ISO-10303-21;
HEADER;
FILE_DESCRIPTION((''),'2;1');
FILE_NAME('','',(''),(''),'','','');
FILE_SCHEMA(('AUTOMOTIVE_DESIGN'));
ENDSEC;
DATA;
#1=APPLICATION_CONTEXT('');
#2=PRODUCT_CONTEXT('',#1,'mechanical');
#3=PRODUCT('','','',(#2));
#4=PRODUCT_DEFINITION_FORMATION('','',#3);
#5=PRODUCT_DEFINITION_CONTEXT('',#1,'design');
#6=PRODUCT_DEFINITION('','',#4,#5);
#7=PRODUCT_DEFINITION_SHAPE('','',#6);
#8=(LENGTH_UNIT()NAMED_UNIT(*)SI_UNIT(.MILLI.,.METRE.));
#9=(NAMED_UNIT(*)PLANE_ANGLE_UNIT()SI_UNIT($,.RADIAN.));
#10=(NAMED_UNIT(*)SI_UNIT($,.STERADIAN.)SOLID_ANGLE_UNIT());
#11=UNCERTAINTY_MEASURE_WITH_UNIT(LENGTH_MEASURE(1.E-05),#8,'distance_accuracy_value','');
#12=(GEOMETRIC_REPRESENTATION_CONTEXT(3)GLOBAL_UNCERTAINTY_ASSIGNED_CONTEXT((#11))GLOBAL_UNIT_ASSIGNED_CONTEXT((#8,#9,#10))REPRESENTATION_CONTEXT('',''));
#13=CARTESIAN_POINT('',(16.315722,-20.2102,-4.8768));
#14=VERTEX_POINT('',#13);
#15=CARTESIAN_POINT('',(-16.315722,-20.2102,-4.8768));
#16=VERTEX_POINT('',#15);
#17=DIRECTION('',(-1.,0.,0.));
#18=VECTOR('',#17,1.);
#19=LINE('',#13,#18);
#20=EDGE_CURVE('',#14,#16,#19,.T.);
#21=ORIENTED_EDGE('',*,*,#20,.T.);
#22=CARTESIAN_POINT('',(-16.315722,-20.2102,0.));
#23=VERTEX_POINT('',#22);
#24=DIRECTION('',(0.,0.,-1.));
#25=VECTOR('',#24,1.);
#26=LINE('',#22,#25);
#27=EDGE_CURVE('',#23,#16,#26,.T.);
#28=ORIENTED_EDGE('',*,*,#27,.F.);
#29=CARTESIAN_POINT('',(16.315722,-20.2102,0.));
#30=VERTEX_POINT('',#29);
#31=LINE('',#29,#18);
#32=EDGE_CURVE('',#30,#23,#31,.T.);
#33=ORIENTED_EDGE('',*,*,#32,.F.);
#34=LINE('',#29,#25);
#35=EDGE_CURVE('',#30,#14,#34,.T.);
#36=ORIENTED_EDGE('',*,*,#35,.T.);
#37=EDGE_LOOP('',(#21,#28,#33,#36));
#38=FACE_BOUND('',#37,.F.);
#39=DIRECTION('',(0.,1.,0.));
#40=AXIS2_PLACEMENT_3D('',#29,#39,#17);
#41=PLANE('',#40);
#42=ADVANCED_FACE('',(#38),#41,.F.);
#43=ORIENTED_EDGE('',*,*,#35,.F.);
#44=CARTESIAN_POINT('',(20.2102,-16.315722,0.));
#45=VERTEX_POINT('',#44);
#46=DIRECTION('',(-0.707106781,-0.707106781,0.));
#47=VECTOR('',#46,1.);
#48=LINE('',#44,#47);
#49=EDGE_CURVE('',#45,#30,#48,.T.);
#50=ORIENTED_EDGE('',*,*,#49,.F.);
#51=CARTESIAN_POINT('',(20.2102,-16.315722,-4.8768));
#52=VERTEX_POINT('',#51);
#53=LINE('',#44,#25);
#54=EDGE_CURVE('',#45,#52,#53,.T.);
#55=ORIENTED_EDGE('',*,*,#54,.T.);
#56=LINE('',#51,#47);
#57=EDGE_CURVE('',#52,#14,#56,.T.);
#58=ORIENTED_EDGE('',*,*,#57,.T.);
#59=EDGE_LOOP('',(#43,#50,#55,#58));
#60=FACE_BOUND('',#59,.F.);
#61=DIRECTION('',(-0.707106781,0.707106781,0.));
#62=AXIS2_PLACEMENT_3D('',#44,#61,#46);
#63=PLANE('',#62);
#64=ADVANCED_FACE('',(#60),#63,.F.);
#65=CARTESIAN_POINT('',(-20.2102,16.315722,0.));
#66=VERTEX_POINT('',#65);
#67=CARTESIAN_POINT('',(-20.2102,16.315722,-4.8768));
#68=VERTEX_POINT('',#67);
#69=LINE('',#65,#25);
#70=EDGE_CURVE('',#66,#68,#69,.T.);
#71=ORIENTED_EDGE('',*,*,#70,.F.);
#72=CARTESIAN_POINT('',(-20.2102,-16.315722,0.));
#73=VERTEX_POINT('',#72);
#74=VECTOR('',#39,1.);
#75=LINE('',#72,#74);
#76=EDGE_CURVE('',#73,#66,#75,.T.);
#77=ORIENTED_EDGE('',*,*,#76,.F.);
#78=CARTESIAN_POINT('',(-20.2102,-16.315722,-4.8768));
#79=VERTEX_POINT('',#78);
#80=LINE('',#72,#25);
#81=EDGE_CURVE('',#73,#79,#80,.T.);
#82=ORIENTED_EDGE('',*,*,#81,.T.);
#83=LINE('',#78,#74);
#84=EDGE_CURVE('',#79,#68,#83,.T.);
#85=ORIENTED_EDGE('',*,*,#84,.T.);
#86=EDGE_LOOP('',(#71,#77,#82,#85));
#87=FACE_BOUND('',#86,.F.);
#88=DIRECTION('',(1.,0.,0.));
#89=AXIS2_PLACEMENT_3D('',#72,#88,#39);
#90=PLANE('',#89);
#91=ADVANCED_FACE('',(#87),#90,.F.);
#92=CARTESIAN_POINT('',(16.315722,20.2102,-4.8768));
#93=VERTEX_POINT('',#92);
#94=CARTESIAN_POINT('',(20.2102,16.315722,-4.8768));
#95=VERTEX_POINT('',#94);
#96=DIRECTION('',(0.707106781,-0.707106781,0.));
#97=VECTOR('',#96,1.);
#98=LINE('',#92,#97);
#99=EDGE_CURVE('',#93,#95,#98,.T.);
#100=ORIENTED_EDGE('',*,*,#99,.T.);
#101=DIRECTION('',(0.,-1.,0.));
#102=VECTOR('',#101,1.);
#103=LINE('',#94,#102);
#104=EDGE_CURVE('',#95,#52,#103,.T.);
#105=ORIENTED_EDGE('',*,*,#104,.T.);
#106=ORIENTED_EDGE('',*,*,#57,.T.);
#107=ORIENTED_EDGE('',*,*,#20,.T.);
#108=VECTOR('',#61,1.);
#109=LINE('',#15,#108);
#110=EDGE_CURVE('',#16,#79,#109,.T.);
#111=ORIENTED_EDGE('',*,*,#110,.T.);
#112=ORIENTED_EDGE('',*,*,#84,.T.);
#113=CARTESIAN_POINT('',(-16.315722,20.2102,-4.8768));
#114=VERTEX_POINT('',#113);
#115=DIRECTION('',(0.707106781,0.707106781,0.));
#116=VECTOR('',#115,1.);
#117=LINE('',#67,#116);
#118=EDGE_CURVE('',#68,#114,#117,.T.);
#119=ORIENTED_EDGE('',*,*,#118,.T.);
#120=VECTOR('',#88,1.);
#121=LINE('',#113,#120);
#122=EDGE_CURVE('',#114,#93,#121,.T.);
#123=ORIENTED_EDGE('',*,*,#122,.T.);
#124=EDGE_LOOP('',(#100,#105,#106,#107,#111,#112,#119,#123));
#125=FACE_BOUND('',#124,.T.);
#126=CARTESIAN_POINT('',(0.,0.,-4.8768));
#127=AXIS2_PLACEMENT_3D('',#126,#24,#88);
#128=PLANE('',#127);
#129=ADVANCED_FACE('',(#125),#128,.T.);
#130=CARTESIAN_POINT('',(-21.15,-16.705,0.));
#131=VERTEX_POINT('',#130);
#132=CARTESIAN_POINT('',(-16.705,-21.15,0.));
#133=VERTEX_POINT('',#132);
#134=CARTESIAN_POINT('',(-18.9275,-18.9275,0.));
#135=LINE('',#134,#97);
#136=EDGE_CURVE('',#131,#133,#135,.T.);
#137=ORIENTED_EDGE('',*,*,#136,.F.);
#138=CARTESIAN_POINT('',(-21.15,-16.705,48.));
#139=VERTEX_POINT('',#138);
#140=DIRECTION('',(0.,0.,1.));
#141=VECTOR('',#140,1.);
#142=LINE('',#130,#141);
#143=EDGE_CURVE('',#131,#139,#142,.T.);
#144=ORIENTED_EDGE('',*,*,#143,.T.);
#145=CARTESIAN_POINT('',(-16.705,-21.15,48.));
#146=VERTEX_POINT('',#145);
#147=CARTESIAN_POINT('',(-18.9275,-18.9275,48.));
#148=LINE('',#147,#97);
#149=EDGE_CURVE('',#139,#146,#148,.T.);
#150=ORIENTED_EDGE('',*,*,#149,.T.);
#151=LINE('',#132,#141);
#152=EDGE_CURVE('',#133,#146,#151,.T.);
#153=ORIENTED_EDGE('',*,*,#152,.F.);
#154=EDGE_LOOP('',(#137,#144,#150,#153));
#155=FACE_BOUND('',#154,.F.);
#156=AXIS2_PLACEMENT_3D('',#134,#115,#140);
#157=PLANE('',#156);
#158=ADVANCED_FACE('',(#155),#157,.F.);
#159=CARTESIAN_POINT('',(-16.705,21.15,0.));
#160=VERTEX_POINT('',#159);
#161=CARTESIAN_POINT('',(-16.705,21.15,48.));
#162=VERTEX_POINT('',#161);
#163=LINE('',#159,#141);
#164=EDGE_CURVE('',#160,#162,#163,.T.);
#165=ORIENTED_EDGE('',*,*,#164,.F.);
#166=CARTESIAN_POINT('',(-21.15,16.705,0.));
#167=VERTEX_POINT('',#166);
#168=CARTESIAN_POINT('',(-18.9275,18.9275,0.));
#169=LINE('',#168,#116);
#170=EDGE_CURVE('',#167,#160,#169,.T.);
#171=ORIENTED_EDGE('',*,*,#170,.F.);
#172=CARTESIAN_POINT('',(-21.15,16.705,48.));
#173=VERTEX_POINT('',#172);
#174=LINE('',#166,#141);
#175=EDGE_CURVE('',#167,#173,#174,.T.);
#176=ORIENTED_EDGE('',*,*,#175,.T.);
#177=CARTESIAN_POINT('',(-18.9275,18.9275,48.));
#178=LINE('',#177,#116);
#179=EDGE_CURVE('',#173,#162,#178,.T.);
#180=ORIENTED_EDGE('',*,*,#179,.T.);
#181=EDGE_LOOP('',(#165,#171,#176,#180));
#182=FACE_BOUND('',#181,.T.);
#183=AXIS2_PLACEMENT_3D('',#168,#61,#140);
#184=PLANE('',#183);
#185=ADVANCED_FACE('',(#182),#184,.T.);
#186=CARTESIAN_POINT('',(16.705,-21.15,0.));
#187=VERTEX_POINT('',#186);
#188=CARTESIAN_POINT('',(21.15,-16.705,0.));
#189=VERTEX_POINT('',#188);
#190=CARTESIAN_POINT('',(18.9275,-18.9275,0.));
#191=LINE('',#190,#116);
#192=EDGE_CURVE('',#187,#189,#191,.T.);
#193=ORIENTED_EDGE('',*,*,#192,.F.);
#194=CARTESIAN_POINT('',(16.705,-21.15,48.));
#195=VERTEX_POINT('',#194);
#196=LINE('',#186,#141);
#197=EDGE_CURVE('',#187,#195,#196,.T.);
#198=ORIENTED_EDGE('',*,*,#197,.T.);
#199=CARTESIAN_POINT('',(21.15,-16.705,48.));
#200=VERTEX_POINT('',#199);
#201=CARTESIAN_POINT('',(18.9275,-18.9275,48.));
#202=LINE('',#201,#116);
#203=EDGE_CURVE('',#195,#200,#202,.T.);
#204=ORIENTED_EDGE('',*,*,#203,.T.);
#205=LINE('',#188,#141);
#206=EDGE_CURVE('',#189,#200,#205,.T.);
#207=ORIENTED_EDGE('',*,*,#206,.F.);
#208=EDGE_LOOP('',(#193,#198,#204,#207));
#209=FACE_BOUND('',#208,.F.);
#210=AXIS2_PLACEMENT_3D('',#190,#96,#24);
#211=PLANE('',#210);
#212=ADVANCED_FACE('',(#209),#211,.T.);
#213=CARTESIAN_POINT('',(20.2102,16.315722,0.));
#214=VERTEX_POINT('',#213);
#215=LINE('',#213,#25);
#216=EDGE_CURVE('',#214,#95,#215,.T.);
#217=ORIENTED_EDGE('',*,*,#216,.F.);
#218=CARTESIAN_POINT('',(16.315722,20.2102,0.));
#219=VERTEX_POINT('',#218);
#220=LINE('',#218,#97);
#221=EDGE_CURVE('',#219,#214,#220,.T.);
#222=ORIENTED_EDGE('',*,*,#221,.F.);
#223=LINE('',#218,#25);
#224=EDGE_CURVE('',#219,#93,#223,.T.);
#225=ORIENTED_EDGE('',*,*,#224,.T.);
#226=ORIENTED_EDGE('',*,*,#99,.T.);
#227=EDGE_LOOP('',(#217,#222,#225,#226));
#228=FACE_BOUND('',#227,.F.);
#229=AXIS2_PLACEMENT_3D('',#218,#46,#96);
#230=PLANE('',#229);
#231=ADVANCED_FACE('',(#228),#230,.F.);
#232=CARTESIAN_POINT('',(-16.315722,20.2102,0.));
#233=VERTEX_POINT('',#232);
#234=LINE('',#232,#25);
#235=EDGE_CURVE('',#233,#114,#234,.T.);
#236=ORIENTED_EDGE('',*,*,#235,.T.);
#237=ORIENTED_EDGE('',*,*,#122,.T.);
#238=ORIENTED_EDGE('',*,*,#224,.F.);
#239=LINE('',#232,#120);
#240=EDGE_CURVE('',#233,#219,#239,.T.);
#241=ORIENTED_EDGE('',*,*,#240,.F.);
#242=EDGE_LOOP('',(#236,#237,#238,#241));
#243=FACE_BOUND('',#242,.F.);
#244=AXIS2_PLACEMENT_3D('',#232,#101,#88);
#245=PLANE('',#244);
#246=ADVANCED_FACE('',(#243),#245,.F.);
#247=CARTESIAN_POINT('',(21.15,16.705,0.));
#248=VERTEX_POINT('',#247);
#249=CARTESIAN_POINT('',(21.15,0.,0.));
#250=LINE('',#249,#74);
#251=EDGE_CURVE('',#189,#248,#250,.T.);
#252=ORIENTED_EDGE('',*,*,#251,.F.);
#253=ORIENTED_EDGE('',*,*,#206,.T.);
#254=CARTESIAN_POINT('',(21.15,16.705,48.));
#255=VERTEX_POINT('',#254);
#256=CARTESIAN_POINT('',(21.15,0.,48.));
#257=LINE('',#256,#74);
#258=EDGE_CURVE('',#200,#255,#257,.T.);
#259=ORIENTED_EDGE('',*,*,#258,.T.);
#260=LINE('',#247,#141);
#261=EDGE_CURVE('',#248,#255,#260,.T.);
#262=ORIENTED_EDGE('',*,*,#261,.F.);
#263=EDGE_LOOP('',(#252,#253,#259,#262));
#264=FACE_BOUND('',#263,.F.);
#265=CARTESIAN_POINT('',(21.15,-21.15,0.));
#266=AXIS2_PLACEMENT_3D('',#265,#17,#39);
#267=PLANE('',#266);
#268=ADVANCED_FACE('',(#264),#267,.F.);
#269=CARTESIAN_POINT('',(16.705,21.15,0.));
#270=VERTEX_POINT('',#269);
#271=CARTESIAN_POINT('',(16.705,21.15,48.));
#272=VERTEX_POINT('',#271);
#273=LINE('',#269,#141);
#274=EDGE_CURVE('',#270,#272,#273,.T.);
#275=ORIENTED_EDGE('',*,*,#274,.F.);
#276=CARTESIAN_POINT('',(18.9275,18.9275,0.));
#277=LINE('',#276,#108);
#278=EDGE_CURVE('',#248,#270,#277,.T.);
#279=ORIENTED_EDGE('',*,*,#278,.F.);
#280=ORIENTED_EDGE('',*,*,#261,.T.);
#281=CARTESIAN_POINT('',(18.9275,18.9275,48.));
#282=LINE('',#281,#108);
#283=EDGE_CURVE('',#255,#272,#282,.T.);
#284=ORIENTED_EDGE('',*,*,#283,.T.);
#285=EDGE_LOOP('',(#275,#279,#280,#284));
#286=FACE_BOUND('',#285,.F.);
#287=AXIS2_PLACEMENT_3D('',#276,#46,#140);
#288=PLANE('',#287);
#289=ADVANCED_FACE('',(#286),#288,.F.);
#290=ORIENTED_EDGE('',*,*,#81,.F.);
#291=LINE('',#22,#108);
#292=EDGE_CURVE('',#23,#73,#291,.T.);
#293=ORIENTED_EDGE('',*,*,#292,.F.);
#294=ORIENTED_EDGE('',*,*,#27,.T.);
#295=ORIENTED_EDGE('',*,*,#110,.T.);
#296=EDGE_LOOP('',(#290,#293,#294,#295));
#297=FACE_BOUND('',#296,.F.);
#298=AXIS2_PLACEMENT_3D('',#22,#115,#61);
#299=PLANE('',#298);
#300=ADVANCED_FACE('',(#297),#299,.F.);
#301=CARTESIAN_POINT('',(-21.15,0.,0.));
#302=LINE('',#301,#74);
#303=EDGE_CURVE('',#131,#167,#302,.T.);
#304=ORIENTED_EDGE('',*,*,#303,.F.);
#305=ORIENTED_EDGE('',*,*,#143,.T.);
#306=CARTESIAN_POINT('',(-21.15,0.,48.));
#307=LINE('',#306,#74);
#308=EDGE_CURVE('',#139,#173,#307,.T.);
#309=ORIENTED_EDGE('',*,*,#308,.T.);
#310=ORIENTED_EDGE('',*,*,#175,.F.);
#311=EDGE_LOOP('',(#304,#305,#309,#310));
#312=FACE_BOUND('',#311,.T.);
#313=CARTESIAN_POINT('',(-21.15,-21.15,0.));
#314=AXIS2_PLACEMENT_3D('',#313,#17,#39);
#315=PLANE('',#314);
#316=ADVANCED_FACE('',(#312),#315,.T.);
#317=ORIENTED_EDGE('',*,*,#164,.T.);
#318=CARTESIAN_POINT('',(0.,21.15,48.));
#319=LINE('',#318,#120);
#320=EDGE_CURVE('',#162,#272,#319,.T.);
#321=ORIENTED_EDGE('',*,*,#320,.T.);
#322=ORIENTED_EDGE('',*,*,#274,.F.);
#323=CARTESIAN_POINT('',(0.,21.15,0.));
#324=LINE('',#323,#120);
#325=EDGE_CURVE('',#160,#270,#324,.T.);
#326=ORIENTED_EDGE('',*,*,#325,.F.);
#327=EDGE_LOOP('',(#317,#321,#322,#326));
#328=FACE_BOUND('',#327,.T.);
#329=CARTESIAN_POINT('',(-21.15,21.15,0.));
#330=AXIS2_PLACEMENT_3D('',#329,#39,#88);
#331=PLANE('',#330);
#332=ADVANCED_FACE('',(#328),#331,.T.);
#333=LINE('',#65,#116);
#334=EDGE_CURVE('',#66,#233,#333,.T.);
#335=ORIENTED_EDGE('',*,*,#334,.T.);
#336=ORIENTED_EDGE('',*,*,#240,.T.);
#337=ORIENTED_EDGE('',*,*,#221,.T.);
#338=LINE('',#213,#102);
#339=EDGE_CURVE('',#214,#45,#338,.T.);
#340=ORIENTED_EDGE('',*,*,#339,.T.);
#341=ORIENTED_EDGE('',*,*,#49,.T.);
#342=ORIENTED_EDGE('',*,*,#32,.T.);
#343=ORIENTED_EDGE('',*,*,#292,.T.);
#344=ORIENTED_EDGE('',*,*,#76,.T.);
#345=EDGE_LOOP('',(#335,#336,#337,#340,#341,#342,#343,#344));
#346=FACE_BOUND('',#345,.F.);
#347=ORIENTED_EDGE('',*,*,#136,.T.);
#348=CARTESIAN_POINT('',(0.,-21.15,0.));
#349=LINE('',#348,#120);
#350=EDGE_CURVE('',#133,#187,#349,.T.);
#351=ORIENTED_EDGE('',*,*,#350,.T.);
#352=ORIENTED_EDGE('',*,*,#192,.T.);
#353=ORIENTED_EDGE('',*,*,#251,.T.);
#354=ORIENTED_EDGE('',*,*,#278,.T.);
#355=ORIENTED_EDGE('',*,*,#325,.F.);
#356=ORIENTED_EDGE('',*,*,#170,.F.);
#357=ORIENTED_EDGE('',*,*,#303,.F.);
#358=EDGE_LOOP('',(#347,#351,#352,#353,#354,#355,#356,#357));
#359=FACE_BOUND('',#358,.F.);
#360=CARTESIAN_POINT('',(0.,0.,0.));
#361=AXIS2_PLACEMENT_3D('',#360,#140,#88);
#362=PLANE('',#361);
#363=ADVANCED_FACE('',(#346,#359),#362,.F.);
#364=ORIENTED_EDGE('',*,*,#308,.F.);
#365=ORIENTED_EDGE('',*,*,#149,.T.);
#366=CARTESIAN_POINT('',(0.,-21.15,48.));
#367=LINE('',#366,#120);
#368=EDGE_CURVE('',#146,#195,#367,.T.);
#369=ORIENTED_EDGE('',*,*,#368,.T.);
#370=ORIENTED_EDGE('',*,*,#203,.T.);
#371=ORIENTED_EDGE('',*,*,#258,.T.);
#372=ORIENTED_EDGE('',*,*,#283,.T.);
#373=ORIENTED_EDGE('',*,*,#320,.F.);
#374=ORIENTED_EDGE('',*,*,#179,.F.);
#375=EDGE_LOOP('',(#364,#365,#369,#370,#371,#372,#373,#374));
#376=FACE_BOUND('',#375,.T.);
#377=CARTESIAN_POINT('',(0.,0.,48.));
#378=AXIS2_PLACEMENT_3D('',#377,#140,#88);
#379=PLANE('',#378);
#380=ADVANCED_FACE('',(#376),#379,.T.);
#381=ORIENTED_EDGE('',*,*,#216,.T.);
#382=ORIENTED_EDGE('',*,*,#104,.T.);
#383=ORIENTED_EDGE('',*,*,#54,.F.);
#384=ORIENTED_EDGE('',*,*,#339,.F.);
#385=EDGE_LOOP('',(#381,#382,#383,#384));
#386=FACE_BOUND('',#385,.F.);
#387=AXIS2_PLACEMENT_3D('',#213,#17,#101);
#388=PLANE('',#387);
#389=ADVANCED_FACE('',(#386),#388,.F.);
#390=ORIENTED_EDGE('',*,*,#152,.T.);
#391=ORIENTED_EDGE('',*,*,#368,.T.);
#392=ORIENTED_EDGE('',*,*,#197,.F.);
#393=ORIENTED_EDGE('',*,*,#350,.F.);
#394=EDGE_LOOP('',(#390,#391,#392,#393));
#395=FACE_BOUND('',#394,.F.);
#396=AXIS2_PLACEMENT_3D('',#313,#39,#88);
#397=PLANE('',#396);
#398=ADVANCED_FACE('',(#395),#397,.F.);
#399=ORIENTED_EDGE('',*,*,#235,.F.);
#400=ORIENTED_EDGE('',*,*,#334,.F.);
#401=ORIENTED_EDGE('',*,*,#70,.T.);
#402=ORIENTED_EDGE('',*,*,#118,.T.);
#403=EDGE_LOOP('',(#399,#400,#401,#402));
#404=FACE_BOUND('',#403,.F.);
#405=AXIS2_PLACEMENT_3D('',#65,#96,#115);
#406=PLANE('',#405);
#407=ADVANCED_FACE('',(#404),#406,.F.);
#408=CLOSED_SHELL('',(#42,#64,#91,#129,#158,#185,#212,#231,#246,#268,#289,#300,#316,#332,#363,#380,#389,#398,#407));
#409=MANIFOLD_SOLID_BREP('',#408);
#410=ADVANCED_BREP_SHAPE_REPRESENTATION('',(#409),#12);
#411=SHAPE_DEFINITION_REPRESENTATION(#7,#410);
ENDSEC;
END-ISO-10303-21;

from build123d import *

# Parameters (mm, degrees)
F0_W     = 42.3
F0_H     = 42.3
F1_DEPTH = 48
F2_SIZE  = 4.445
F4_DEPTH = 4.8768


with BuildPart() as f1:
    # F0 (on Top) → F1 (new body)
    with BuildSketch(Plane.XY):
        Rectangle(F0_W, F0_H)
    extrude(amount=F1_DEPTH)

    # F2
    f2_edges = [f1.edges().sort_by_distance(p)[0] for p in [
        (21.15, 21.15, 24),
        (-21.15, 21.15, 24),
        (-21.15, -21.15, 24),
        (21.15, -21.15, 24),
    ]]
    chamfer(f2_edges, length=F2_SIZE)

    # F3 (on face) → F4 (join)
    with BuildSketch(Plane(origin=(0, 0, 0), x_dir=(1, 0, 0), z_dir=(0, 0, -1))):
        Polygon((-16.315722, -20.2102), (16.315722, -20.2102), (20.2102, -16.315722), (20.2102, 16.315722), (16.315722, 20.2102), (-16.315722, 20.2102), (-20.2102, 16.315722), (-20.2102, -16.315722), align=None)
    extrude(amount=F4_DEPTH)


solid = f1.part
